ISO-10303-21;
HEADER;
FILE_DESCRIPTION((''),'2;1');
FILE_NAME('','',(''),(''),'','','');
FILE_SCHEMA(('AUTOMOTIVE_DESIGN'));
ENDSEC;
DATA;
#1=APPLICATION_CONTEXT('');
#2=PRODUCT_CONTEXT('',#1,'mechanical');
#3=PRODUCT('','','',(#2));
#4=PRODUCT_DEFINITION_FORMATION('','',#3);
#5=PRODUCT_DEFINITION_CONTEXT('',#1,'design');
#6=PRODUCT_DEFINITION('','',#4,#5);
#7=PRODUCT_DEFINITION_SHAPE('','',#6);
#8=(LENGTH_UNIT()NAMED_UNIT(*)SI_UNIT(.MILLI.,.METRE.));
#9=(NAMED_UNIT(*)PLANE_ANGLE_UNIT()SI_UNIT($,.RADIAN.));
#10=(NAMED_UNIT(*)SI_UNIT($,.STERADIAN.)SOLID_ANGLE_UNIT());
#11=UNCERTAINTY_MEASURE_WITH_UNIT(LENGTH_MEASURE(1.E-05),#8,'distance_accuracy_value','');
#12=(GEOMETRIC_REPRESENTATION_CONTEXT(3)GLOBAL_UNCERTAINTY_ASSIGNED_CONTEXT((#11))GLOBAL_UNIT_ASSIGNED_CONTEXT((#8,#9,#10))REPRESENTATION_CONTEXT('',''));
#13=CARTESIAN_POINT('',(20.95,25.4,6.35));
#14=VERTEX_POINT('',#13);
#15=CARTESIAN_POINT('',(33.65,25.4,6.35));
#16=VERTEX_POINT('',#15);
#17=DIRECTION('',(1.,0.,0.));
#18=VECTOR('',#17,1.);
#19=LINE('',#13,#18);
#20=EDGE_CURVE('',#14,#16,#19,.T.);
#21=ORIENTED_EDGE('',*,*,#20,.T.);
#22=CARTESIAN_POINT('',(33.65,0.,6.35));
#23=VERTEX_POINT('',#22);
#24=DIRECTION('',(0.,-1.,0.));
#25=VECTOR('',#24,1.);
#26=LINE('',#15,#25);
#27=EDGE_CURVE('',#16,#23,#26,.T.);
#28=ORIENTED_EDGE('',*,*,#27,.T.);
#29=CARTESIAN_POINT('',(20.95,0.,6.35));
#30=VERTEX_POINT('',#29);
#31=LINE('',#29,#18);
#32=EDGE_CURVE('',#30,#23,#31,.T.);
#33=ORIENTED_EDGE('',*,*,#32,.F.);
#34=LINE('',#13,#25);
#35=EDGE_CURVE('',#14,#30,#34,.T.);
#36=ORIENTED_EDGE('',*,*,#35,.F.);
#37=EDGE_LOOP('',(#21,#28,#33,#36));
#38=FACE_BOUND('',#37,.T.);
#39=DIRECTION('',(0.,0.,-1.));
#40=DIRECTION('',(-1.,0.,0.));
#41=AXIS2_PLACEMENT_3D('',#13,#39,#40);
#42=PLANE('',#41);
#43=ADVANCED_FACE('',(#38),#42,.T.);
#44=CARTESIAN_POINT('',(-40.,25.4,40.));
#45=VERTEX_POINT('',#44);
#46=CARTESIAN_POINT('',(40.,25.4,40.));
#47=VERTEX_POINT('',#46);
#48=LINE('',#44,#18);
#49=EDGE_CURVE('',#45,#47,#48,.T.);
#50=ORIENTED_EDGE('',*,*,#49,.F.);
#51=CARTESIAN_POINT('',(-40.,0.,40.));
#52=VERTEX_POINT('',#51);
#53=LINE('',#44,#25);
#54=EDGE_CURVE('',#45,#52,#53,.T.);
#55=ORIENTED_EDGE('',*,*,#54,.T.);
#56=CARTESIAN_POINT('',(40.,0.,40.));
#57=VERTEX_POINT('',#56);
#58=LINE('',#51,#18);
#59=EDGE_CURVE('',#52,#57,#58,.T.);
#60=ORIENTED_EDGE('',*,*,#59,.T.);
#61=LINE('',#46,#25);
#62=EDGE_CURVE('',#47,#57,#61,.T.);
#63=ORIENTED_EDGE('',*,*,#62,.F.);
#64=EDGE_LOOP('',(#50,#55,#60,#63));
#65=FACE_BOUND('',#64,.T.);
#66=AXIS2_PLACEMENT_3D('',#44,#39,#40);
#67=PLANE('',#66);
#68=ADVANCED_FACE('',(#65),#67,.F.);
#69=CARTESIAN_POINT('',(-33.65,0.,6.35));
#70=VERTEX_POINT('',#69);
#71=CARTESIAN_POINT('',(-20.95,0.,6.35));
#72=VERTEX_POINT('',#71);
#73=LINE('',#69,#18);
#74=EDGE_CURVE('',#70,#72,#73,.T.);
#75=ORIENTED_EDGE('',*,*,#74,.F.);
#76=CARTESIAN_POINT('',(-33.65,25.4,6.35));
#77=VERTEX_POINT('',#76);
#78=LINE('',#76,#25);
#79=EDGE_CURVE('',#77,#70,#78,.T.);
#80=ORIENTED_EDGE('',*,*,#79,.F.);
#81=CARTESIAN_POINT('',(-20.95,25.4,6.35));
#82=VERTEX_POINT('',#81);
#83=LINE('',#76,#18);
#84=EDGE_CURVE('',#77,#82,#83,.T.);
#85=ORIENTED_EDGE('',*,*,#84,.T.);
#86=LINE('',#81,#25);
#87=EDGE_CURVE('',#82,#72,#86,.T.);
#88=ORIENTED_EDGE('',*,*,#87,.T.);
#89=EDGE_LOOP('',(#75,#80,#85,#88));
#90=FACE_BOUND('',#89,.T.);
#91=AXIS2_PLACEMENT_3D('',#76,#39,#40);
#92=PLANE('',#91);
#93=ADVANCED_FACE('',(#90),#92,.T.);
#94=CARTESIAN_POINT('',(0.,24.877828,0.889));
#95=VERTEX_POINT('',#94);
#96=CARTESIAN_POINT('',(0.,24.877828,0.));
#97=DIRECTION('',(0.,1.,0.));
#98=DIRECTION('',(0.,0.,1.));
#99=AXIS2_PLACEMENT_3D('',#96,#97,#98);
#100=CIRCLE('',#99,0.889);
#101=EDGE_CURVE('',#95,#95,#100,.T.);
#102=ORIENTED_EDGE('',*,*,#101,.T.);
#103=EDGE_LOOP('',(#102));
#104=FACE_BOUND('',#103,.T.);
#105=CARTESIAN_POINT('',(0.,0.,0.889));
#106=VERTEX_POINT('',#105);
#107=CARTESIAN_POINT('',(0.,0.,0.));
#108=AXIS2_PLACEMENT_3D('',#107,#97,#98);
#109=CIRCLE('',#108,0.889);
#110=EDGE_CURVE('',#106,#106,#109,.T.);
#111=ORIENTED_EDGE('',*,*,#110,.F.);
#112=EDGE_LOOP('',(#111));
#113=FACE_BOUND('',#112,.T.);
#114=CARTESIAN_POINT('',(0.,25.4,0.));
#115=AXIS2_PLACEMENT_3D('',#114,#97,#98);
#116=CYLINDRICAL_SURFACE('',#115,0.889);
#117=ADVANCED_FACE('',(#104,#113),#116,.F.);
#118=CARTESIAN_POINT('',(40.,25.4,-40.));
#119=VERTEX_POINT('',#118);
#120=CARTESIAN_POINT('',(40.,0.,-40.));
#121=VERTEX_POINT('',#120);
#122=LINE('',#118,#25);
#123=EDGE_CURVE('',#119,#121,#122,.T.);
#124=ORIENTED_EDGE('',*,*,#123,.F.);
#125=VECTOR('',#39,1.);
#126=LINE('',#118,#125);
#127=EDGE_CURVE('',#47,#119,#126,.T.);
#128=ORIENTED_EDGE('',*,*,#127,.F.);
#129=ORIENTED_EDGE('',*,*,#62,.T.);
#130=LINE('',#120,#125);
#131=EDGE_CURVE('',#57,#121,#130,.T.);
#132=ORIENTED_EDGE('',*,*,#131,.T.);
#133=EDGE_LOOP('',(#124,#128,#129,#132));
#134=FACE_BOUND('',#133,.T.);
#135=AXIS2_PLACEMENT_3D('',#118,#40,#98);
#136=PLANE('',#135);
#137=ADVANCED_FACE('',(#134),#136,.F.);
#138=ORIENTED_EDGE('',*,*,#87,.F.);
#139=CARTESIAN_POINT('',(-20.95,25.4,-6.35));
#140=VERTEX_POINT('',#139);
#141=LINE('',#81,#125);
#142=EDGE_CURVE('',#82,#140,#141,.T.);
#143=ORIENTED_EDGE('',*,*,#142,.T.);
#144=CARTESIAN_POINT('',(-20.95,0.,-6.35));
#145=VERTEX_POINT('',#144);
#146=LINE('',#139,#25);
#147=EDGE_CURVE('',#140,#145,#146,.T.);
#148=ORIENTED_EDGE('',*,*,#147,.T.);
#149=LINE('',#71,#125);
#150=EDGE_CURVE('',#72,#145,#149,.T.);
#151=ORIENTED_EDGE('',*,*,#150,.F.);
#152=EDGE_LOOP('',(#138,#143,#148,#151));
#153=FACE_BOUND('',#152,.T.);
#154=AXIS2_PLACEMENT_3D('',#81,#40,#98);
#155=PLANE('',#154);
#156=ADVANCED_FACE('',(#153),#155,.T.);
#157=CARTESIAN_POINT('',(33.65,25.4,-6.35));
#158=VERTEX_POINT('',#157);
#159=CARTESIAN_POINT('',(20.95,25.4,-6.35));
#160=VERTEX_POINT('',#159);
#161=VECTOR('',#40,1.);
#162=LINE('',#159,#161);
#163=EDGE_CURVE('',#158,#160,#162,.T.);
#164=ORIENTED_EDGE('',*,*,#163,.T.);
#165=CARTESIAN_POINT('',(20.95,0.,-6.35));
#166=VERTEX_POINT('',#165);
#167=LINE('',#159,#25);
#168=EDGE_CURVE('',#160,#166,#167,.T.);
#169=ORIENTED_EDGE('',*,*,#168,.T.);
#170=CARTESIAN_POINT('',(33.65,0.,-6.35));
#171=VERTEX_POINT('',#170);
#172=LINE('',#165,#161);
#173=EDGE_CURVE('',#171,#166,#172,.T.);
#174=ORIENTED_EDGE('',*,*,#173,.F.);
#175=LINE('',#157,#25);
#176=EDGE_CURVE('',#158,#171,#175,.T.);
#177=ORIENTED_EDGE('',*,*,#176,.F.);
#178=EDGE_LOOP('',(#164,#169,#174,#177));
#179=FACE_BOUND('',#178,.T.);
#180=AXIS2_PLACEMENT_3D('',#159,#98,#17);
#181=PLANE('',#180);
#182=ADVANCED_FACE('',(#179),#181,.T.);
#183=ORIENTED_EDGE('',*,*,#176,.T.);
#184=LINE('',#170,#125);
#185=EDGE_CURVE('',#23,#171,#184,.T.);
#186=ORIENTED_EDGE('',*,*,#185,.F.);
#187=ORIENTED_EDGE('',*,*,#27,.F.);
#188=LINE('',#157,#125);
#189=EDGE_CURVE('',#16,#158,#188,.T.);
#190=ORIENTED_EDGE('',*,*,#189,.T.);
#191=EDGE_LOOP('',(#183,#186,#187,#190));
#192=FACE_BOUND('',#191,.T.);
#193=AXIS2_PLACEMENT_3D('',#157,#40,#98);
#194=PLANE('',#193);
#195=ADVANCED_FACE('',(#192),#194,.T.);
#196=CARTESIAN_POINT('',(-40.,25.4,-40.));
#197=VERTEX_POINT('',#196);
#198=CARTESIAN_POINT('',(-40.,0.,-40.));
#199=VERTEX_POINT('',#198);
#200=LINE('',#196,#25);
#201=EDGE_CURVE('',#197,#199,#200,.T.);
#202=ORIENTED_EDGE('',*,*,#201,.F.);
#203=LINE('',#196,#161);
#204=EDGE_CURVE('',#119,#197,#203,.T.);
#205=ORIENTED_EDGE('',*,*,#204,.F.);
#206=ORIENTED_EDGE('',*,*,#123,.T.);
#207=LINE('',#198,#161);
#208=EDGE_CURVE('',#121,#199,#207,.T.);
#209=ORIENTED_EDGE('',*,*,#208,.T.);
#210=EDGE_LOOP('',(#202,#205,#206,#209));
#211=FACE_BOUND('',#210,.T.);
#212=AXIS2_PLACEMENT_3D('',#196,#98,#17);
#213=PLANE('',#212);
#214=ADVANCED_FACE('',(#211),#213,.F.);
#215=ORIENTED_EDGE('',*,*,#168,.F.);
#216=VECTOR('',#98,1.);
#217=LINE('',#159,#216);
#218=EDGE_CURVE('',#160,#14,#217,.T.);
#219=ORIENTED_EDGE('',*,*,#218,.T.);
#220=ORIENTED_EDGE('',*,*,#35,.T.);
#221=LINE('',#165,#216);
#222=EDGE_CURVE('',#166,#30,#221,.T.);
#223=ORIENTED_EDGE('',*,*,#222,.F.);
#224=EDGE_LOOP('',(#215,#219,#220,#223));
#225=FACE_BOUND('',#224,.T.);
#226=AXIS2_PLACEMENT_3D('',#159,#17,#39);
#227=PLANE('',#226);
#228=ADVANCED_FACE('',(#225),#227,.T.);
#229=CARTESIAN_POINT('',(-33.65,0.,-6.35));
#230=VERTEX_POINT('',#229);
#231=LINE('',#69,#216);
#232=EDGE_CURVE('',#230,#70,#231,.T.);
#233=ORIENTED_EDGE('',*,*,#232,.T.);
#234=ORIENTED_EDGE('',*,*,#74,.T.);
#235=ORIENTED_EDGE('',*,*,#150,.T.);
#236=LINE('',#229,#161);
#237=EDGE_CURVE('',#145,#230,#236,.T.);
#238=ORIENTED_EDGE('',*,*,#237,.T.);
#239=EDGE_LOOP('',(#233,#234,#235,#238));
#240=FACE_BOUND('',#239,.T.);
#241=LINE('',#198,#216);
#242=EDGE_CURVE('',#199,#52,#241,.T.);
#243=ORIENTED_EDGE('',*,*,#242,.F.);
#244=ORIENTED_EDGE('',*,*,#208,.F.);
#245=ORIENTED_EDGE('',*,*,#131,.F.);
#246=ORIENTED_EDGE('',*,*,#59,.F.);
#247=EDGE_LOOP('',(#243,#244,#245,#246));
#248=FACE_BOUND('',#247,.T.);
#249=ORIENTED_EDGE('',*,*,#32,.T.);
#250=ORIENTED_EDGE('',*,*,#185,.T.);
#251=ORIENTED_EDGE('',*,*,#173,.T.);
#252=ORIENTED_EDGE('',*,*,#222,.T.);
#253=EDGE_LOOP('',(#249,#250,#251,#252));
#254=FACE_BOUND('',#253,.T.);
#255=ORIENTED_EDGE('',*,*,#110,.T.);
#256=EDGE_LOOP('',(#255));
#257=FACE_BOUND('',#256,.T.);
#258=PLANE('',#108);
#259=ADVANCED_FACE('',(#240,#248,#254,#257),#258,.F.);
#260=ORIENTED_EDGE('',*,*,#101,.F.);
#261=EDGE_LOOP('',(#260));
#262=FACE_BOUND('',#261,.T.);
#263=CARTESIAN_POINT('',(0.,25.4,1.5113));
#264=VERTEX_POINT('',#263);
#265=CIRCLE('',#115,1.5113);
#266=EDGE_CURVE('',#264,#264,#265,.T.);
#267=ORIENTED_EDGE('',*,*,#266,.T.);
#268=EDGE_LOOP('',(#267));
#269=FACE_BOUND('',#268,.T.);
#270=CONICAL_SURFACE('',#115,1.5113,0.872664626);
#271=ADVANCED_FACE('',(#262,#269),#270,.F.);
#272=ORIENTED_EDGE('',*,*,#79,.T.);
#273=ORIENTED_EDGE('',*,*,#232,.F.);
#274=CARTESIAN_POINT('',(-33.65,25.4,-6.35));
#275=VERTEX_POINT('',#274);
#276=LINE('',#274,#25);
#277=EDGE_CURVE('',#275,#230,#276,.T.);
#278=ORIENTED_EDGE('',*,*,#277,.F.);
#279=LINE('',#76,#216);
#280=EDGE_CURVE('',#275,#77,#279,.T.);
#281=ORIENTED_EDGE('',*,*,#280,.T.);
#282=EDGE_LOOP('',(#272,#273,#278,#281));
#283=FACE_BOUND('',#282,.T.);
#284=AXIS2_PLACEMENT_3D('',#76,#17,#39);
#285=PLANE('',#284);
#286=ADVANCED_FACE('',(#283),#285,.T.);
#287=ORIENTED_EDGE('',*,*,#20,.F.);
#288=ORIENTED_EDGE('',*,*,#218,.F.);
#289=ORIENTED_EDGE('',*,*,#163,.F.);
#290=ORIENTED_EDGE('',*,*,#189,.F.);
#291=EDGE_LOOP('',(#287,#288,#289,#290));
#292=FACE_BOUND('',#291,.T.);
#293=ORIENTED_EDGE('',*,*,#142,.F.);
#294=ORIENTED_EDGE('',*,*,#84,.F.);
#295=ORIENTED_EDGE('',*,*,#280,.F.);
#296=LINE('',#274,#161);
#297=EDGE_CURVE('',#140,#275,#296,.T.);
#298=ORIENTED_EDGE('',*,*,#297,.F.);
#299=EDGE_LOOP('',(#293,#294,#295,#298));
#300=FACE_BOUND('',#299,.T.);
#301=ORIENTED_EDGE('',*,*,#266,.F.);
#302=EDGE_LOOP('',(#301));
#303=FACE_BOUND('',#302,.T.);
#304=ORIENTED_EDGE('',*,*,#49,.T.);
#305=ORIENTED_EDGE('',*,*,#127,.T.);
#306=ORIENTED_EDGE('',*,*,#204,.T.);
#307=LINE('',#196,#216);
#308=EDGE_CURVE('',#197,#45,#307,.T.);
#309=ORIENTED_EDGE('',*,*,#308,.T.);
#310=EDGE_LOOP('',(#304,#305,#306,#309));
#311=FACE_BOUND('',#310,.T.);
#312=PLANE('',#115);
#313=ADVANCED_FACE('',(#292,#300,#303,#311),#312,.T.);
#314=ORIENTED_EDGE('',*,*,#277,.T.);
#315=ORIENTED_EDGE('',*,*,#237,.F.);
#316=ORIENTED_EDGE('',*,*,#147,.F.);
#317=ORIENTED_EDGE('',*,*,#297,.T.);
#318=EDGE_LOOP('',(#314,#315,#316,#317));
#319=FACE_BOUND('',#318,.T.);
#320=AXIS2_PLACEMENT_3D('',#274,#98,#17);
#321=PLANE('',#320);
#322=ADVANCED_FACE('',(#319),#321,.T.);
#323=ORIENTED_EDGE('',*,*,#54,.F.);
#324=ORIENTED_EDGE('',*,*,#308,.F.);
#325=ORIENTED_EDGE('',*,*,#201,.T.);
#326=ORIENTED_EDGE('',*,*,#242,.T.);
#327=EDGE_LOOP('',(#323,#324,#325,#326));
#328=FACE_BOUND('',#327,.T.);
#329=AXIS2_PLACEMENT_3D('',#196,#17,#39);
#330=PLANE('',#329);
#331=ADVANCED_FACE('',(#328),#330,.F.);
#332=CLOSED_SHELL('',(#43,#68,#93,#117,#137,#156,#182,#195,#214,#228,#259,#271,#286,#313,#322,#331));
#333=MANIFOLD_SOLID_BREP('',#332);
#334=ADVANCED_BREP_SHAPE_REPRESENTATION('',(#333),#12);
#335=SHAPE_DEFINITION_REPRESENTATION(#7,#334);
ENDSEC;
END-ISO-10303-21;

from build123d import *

# Parameters (mm, degrees)
SKETCH1_W                                         = 80
SKETCH1_H                                         = 80
SKETCH1_W_2                                       = 12.7
SKETCH1_H_2                                       = 12.7
BOSS_EXTRUDE1_DEPTH                               = 25.4
CSK_FOR_0_FLAT_HEAD_MACHINE_SCREW_100_D           = 1.778
CSK_FOR_0_FLAT_HEAD_MACHINE_SCREW_100_CSINK_D     = 3.0226
CSK_FOR_0_FLAT_HEAD_MACHINE_SCREW_100_CSINK_ANGLE = 100


with BuildPart() as part:
    # Sketch1 → Boss-Extrude1 (new body)
    with BuildSketch(Plane(origin=(0, 0, 0), x_dir=(1, 0, 0), z_dir=(0, 1, 0))):
        Rectangle(SKETCH1_W, SKETCH1_H)
        with Locations((-27.3, 0)):
            Rectangle(SKETCH1_W_2, SKETCH1_H_2, mode=Mode.SUBTRACT)
        with Locations((27.3, 0)):
            Rectangle(SKETCH1_W_2, SKETCH1_H_2, mode=Mode.SUBTRACT)
    extrude(amount=BOSS_EXTRUDE1_DEPTH)

    # CSK for #0 Flat Head Machine Screw (100)1 (through all)
    with Locations(Plane(origin=(0, 25.4, 0), x_dir=(1, 0, 0), z_dir=(0, 1, 0))):
        with Locations((0, 0)):
            CounterSinkHole(CSK_FOR_0_FLAT_HEAD_MACHINE_SCREW_100_D / 2, CSK_FOR_0_FLAT_HEAD_MACHINE_SCREW_100_CSINK_D / 2, counter_sink_angle=CSK_FOR_0_FLAT_HEAD_MACHINE_SCREW_100_CSINK_ANGLE)


solid = part.part
